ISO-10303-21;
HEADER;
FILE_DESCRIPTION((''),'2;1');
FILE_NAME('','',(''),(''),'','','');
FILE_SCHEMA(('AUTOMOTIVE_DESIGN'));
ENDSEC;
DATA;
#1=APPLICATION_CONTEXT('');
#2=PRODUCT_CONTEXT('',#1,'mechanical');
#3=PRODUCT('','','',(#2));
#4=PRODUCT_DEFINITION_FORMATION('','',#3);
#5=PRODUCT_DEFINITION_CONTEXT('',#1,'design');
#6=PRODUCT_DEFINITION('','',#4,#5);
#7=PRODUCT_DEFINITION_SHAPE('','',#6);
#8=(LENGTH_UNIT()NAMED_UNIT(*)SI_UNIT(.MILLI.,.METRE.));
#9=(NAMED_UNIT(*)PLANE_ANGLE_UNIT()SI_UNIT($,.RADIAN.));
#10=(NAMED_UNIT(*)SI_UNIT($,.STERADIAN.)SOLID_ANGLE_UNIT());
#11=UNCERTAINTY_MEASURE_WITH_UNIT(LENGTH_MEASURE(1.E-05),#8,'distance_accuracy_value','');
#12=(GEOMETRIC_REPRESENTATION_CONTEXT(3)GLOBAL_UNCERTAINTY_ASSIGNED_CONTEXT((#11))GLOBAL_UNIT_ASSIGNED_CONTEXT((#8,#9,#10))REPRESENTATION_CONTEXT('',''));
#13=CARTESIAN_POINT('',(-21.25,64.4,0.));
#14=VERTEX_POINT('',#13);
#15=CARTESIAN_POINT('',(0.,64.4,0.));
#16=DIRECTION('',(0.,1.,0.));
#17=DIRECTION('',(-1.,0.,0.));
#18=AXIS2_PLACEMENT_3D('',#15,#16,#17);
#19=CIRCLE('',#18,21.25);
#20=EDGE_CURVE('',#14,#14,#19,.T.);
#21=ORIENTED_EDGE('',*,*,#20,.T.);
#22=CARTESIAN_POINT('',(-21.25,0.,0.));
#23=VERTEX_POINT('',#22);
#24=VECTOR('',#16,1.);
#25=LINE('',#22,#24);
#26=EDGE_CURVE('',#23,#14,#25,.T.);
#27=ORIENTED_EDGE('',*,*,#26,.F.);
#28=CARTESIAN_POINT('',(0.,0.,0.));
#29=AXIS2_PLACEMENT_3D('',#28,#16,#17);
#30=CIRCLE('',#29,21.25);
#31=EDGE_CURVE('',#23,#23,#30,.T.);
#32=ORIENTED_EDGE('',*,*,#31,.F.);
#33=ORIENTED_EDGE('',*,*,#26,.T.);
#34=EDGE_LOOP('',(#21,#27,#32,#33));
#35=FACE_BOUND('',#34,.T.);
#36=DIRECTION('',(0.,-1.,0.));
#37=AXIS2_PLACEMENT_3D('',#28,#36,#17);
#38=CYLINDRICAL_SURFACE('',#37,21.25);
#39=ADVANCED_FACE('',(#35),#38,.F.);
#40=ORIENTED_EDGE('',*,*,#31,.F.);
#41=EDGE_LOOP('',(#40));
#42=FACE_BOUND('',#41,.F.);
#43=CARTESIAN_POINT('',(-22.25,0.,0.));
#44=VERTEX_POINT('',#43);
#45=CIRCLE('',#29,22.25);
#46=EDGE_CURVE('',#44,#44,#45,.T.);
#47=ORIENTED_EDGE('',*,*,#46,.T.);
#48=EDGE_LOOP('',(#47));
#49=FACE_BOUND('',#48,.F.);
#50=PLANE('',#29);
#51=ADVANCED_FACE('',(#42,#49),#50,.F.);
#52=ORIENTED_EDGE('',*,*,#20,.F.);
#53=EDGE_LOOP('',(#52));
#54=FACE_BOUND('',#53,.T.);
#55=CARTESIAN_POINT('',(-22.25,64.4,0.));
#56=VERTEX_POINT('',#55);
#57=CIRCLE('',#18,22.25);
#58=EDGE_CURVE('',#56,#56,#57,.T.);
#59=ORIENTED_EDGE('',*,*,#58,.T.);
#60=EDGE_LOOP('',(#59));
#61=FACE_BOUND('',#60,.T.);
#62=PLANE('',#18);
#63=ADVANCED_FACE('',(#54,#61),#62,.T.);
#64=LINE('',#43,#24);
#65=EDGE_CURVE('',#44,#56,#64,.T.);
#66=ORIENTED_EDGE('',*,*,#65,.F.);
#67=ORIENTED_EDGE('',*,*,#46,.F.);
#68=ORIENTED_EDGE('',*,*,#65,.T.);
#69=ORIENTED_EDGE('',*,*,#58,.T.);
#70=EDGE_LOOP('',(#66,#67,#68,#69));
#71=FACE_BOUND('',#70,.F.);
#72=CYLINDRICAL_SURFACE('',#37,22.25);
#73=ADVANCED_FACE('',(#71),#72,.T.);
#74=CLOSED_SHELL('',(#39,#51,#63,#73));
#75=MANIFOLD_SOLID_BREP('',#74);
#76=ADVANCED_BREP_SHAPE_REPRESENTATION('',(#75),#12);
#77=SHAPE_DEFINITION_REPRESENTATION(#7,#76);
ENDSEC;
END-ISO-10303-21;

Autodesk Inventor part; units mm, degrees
ref_plane "YZ Plane" through (0, 0, 0) normal (1, 0, 0) x (0, 1, 0)
ref_plane "XZ Plane" through (0, 0, 0) normal (0, 1, 0) x (-1, 0, 0)
ref_plane "XY Plane" through (0, 0, 0) normal (0, 0, 1) x (1, 0, 0)
sketch "Sketch1" plane through (0, 0, 0) normal (0, 1, 0) x (-1, 0, 0)
  circle A0 centre (0, 0) radius 21.25
  circle A1 centre (0, 0) radius 22.25
  dimension "d0" = 44.5
  dimension "d1" = 42.5
extrude "Extrusion1" add sketch "Sketch1" along normal blind 64.4
thread "Thread1" size "M45x4.5" class "6g" standard "ANSI Metric M Profile" full length
properties part number "Bellows"
